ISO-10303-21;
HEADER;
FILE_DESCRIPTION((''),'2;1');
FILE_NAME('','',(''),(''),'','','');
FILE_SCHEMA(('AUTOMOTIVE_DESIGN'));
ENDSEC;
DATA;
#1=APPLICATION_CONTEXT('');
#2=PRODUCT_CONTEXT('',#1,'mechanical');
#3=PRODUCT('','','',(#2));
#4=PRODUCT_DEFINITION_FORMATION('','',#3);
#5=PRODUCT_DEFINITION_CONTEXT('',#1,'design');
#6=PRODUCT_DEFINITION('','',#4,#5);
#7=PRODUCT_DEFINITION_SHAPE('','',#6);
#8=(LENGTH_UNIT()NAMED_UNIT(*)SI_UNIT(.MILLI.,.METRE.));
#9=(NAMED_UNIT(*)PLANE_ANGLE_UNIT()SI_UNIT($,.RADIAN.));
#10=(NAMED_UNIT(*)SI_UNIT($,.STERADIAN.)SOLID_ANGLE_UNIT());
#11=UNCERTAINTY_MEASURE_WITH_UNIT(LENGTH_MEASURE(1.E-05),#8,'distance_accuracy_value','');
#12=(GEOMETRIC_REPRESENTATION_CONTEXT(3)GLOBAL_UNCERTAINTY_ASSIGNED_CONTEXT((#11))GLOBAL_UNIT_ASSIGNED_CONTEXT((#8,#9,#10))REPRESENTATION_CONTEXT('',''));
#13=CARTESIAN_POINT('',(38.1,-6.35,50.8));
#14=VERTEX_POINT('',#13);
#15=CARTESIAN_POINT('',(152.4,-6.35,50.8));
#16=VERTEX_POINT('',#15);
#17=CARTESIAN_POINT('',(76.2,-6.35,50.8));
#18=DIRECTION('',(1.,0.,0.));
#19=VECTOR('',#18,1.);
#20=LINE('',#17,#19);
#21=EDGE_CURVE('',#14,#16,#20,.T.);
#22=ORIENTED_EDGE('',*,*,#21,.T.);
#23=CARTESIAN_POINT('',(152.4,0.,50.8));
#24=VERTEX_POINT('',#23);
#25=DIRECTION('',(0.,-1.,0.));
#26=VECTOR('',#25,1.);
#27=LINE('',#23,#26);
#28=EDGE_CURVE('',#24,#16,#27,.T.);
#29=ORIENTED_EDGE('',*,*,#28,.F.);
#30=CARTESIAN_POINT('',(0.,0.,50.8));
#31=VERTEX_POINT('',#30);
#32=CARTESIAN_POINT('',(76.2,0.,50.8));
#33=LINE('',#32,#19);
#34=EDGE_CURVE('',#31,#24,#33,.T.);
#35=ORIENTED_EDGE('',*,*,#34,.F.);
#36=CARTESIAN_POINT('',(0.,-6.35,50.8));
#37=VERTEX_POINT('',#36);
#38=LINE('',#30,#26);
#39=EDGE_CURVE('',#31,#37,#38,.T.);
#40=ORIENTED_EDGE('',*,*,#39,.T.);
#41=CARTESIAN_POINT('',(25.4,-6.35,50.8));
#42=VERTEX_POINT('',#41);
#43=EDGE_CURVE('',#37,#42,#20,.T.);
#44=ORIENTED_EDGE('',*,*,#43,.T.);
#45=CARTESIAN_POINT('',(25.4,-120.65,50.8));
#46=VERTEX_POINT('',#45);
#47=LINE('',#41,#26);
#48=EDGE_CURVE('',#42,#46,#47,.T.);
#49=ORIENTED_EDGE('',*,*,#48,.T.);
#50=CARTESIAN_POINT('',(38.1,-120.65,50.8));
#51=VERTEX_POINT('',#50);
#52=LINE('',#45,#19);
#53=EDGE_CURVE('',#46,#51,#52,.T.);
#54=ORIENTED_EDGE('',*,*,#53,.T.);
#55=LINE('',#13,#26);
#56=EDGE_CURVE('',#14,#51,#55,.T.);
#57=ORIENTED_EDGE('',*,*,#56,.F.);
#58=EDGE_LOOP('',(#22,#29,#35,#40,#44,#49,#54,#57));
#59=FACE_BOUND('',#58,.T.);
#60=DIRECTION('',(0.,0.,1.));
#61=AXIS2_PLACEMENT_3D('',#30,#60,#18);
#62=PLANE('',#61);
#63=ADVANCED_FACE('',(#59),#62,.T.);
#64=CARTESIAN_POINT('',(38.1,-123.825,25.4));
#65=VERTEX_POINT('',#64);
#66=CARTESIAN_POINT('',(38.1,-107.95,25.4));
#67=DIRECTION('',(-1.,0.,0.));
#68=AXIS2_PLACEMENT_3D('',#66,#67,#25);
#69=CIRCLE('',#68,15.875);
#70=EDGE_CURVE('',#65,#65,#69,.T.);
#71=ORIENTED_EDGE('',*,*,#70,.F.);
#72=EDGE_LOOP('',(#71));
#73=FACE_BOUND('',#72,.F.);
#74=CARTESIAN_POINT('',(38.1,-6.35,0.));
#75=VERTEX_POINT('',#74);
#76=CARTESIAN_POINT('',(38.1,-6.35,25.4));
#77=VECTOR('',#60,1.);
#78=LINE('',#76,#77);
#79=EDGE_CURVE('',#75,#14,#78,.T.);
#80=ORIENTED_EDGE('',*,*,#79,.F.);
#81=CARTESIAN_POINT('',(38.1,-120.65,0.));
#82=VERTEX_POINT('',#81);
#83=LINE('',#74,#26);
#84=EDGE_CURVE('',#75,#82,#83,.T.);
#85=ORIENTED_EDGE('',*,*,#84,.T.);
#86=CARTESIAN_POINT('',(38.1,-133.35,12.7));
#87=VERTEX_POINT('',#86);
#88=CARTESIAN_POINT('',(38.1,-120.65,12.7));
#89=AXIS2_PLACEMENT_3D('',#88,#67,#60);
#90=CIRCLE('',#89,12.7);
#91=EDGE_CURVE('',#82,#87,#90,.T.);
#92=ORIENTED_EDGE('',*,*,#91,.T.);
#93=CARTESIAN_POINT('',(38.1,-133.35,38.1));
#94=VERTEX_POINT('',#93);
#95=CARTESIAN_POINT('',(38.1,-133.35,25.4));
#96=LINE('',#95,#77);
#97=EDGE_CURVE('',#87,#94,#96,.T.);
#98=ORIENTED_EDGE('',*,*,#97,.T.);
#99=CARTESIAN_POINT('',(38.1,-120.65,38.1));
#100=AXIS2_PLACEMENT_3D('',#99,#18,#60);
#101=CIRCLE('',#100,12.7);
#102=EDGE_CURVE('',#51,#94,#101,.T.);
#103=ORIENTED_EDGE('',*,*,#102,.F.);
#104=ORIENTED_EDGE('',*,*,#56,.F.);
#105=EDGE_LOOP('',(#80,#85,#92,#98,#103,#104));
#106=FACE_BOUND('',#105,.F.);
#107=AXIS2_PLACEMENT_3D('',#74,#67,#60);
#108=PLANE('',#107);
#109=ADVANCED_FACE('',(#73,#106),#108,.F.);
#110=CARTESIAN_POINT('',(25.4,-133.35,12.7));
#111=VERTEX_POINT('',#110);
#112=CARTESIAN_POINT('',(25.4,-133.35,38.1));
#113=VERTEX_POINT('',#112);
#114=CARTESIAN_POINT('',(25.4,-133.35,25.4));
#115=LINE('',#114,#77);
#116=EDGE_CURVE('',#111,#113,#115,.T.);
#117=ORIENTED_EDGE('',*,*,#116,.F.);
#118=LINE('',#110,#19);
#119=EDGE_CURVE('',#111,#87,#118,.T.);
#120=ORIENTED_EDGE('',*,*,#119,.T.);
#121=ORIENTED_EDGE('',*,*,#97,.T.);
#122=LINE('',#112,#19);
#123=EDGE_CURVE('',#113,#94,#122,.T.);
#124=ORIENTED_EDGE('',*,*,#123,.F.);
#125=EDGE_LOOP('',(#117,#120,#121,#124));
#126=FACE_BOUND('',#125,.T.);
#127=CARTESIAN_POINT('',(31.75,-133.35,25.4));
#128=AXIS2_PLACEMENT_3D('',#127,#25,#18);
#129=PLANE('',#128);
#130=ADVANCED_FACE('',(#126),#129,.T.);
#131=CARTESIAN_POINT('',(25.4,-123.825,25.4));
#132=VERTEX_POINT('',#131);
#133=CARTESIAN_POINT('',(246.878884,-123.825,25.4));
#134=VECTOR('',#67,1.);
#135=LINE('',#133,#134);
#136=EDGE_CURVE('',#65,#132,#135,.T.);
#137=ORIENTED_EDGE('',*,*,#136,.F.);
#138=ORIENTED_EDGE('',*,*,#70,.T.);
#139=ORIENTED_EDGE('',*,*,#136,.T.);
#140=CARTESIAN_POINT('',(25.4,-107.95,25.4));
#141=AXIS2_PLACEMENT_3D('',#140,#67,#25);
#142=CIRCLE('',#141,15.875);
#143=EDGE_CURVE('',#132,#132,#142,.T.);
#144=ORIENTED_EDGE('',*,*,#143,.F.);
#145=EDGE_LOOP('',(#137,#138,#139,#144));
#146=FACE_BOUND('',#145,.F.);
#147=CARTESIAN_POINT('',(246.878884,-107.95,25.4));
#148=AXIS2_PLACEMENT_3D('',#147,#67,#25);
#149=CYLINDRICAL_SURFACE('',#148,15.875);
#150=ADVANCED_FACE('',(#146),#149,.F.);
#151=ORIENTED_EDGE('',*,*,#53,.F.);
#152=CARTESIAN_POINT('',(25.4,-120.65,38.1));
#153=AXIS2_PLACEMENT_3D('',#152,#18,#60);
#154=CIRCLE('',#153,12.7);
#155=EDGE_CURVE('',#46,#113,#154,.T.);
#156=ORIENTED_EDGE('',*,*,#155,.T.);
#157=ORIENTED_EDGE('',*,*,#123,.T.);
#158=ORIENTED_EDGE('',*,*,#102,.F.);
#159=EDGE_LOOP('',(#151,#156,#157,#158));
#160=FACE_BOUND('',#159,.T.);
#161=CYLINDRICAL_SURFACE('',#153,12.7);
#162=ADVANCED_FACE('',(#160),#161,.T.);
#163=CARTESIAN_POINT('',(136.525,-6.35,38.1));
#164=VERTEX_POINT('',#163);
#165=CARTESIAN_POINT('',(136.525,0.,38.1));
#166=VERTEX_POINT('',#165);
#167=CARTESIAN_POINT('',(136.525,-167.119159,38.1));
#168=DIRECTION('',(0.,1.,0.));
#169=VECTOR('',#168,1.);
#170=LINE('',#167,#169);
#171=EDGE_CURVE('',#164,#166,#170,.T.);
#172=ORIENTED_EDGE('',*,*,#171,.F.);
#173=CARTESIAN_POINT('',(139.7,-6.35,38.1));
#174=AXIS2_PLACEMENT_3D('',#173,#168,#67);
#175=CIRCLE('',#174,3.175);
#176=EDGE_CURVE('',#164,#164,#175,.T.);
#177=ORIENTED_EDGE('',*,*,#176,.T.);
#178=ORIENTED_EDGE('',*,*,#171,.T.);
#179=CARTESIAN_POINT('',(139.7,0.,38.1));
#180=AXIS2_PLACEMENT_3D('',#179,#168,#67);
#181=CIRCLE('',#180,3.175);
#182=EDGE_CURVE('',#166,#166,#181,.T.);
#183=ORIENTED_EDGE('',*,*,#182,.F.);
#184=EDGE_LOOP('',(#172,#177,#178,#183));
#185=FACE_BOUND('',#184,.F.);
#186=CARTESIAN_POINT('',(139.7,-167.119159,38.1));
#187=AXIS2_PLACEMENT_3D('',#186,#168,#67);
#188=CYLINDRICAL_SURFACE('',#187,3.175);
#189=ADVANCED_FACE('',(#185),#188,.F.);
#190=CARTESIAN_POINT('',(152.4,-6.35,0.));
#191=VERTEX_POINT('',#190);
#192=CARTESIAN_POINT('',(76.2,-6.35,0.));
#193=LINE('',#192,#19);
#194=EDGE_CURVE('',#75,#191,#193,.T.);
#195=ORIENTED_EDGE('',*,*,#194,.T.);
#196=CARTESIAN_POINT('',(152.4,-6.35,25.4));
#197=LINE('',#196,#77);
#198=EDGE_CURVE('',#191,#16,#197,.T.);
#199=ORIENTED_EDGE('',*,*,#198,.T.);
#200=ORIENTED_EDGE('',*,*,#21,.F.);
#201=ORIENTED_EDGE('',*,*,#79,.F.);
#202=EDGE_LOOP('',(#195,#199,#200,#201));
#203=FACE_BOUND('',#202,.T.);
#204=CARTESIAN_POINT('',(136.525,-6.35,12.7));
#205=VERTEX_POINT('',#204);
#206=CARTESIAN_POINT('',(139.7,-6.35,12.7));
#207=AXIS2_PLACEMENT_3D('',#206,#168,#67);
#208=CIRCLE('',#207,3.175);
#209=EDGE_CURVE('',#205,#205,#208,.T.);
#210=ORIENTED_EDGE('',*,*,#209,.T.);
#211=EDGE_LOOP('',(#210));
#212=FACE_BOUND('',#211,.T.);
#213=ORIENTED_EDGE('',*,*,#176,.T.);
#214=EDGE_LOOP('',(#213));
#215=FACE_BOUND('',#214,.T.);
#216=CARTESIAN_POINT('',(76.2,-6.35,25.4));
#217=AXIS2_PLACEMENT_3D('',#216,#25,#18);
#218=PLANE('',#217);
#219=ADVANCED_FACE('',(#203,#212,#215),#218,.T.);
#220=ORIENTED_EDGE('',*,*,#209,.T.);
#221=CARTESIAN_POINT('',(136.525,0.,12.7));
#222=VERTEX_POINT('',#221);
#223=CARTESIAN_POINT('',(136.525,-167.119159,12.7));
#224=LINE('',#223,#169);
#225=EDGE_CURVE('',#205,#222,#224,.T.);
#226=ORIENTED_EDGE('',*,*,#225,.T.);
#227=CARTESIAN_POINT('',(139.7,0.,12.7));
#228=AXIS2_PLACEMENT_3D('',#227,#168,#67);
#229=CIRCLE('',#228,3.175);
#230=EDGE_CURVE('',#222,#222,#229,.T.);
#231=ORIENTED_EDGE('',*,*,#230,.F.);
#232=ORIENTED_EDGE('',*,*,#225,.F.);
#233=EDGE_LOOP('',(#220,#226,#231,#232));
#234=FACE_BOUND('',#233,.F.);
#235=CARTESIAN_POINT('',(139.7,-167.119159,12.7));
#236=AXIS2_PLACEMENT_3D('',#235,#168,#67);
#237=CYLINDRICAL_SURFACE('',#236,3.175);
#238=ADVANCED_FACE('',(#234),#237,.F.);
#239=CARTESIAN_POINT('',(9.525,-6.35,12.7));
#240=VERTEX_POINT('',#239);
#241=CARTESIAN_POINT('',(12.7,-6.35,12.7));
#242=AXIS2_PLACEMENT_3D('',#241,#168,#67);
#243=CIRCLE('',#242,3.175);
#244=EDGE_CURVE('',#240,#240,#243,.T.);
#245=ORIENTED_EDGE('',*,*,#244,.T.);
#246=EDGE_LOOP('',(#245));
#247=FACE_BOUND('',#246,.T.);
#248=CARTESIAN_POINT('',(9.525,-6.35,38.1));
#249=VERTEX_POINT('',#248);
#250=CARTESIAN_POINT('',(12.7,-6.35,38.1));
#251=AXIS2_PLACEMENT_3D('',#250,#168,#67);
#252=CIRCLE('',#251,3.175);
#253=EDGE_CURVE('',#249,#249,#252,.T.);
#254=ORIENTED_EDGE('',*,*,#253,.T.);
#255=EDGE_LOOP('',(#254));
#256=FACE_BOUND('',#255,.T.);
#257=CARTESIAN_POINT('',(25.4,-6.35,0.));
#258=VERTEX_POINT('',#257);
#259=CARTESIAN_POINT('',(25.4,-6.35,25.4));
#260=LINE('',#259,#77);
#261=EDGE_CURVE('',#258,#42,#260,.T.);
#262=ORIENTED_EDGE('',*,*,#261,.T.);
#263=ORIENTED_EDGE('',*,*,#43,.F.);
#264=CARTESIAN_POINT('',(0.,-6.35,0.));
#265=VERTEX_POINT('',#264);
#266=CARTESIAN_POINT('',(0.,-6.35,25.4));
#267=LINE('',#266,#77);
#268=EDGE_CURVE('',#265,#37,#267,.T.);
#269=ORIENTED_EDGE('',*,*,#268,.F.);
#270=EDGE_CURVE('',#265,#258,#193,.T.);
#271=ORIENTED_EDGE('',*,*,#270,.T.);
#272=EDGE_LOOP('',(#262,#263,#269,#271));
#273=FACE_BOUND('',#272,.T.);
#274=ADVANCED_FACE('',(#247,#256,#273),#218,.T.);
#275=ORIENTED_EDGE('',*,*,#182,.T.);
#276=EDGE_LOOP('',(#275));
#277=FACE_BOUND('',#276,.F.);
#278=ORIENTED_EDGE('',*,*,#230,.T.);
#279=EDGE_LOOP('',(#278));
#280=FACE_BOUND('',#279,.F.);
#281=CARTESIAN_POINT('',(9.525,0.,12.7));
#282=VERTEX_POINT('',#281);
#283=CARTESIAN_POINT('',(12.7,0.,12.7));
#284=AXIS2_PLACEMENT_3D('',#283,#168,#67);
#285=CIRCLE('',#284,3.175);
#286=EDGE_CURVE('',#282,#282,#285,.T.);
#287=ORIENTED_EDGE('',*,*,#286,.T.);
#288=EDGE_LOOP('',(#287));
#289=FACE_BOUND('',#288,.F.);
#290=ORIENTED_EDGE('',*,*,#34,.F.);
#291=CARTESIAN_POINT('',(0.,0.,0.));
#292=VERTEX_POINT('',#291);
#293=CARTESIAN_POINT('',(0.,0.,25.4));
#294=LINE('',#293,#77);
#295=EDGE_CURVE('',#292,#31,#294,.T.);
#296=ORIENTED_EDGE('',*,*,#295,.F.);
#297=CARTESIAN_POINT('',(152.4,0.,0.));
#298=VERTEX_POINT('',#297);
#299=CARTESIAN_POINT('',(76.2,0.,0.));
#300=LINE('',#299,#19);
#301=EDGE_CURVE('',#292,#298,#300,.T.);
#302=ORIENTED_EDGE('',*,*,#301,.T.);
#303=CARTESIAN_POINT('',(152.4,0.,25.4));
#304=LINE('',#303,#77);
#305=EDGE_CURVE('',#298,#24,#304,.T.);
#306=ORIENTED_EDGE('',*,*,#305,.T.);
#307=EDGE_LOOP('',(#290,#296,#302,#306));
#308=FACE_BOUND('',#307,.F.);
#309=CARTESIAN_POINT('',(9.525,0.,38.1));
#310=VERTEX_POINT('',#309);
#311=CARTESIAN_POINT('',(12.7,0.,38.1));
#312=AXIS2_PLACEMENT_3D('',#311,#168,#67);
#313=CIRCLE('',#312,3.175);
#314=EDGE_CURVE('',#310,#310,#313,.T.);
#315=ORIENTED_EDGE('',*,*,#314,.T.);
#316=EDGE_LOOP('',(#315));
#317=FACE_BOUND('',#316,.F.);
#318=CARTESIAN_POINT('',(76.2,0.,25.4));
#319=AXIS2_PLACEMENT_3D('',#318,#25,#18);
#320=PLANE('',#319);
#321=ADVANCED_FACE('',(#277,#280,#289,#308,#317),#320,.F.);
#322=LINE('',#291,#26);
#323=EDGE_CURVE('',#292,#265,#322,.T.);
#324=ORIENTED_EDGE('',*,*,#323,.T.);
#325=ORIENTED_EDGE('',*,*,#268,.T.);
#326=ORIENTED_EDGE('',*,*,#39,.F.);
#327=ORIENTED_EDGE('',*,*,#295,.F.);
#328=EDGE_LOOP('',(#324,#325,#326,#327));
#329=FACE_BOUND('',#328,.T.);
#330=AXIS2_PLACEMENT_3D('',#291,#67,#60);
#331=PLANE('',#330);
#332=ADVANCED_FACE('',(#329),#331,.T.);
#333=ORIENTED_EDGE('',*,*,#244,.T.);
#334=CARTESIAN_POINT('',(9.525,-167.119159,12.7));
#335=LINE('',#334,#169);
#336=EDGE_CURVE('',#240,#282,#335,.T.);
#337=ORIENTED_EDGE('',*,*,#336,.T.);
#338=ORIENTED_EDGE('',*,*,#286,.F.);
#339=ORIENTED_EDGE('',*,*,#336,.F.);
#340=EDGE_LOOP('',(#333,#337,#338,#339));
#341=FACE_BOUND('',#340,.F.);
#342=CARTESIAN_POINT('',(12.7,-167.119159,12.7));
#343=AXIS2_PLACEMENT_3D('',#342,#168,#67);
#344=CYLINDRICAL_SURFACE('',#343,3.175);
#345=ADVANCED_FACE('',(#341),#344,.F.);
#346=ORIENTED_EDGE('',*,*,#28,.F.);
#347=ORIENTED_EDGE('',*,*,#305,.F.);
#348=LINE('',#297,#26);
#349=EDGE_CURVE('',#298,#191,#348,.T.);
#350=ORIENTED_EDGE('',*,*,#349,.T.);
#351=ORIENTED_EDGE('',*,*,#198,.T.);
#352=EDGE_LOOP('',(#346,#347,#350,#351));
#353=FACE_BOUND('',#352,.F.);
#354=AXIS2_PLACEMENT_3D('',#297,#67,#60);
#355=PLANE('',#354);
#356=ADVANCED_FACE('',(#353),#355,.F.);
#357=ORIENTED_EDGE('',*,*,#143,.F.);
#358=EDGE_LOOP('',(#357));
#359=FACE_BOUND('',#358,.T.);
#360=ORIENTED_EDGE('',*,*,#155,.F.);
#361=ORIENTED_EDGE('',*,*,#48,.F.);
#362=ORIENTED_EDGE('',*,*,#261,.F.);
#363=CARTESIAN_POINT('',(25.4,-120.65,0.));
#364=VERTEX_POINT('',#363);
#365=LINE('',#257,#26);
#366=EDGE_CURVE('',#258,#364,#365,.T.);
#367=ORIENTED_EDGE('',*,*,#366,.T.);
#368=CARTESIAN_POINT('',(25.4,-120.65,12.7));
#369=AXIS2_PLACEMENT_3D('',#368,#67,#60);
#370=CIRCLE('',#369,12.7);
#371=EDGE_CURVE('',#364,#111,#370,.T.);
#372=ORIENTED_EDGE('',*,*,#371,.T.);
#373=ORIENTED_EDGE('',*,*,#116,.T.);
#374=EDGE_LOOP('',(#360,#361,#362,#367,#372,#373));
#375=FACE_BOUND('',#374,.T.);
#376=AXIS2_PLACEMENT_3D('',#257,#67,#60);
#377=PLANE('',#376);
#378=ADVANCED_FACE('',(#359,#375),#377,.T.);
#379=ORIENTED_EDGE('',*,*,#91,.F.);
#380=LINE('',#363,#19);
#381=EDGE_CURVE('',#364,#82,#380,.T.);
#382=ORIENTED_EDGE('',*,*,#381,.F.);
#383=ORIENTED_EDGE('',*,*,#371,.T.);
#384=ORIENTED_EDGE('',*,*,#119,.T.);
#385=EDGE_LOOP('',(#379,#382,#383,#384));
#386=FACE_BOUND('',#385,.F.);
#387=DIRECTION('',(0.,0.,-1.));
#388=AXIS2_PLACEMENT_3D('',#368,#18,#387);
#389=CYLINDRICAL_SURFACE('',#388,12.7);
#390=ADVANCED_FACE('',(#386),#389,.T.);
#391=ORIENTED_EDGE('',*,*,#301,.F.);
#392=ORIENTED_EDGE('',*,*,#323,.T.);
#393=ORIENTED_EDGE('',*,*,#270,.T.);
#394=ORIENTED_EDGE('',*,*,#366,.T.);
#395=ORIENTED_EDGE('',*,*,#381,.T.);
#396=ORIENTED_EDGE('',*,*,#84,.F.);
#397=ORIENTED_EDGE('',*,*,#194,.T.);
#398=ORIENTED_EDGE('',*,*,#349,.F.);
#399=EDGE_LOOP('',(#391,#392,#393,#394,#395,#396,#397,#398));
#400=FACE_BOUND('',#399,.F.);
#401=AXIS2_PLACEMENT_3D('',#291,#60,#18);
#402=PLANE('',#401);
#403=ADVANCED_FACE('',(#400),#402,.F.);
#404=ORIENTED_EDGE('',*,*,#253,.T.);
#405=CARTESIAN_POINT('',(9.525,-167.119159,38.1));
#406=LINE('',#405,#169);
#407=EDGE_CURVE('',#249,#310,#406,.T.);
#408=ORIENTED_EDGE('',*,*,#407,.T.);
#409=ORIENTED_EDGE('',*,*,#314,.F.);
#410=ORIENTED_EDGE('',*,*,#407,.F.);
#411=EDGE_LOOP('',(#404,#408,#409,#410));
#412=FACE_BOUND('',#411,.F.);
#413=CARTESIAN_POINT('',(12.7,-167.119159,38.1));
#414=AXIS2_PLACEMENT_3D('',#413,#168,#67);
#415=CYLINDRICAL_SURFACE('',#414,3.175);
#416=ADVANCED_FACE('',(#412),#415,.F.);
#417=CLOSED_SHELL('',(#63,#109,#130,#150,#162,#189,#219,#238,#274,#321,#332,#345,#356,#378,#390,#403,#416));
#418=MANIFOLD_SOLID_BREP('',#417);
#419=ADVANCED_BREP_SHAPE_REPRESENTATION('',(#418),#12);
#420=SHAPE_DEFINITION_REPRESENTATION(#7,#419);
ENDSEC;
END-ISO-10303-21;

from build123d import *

# Parameters (mm, degrees)
F0_W     = 152.4
F0_H     = 50.8
F1_DEPTH = 6.35
F3_D     = 6.35
F4_W     = 12.7
F4_H     = 50.8
F5_DEPTH = 127
F6_R     = 12.7
F8_D     = 31.75


with BuildPart() as f1:
    # F0 (on Front) → F1 (new body)
    with BuildSketch(Plane.XZ):
        with Locations((76.2, 25.4)):
            Rectangle(F0_W, F0_H)
    extrude(amount=F1_DEPTH)

    # F3 (through all)
    with Locations(Plane.XZ.offset(6.35)):
        with Locations((12.7, 38.1), (12.7, 12.7), (139.7, 38.1), (139.7, 12.7)):
            Hole(F3_D / 2)

    # F4 (on face) → F5 (join)
    with BuildSketch(Plane.XZ.offset(6.35)):
        with Locations((31.75, 25.4)):
            Rectangle(F4_W, F4_H)
    extrude(amount=F5_DEPTH)

    # F6
    f6_edges = [f1.edges().sort_by_distance(p)[0] for p in [
        (31.75, -133.35, 0),
        (31.75, -133.35, 50.8),
    ]]
    fillet(f6_edges, radius=F6_R)

    # F8 (through all)
    with Locations(Plane.YZ.offset(38.1)):
        with Locations((-107.95, 25.4)):
            Hole(F8_D / 2)


solid = f1.part
